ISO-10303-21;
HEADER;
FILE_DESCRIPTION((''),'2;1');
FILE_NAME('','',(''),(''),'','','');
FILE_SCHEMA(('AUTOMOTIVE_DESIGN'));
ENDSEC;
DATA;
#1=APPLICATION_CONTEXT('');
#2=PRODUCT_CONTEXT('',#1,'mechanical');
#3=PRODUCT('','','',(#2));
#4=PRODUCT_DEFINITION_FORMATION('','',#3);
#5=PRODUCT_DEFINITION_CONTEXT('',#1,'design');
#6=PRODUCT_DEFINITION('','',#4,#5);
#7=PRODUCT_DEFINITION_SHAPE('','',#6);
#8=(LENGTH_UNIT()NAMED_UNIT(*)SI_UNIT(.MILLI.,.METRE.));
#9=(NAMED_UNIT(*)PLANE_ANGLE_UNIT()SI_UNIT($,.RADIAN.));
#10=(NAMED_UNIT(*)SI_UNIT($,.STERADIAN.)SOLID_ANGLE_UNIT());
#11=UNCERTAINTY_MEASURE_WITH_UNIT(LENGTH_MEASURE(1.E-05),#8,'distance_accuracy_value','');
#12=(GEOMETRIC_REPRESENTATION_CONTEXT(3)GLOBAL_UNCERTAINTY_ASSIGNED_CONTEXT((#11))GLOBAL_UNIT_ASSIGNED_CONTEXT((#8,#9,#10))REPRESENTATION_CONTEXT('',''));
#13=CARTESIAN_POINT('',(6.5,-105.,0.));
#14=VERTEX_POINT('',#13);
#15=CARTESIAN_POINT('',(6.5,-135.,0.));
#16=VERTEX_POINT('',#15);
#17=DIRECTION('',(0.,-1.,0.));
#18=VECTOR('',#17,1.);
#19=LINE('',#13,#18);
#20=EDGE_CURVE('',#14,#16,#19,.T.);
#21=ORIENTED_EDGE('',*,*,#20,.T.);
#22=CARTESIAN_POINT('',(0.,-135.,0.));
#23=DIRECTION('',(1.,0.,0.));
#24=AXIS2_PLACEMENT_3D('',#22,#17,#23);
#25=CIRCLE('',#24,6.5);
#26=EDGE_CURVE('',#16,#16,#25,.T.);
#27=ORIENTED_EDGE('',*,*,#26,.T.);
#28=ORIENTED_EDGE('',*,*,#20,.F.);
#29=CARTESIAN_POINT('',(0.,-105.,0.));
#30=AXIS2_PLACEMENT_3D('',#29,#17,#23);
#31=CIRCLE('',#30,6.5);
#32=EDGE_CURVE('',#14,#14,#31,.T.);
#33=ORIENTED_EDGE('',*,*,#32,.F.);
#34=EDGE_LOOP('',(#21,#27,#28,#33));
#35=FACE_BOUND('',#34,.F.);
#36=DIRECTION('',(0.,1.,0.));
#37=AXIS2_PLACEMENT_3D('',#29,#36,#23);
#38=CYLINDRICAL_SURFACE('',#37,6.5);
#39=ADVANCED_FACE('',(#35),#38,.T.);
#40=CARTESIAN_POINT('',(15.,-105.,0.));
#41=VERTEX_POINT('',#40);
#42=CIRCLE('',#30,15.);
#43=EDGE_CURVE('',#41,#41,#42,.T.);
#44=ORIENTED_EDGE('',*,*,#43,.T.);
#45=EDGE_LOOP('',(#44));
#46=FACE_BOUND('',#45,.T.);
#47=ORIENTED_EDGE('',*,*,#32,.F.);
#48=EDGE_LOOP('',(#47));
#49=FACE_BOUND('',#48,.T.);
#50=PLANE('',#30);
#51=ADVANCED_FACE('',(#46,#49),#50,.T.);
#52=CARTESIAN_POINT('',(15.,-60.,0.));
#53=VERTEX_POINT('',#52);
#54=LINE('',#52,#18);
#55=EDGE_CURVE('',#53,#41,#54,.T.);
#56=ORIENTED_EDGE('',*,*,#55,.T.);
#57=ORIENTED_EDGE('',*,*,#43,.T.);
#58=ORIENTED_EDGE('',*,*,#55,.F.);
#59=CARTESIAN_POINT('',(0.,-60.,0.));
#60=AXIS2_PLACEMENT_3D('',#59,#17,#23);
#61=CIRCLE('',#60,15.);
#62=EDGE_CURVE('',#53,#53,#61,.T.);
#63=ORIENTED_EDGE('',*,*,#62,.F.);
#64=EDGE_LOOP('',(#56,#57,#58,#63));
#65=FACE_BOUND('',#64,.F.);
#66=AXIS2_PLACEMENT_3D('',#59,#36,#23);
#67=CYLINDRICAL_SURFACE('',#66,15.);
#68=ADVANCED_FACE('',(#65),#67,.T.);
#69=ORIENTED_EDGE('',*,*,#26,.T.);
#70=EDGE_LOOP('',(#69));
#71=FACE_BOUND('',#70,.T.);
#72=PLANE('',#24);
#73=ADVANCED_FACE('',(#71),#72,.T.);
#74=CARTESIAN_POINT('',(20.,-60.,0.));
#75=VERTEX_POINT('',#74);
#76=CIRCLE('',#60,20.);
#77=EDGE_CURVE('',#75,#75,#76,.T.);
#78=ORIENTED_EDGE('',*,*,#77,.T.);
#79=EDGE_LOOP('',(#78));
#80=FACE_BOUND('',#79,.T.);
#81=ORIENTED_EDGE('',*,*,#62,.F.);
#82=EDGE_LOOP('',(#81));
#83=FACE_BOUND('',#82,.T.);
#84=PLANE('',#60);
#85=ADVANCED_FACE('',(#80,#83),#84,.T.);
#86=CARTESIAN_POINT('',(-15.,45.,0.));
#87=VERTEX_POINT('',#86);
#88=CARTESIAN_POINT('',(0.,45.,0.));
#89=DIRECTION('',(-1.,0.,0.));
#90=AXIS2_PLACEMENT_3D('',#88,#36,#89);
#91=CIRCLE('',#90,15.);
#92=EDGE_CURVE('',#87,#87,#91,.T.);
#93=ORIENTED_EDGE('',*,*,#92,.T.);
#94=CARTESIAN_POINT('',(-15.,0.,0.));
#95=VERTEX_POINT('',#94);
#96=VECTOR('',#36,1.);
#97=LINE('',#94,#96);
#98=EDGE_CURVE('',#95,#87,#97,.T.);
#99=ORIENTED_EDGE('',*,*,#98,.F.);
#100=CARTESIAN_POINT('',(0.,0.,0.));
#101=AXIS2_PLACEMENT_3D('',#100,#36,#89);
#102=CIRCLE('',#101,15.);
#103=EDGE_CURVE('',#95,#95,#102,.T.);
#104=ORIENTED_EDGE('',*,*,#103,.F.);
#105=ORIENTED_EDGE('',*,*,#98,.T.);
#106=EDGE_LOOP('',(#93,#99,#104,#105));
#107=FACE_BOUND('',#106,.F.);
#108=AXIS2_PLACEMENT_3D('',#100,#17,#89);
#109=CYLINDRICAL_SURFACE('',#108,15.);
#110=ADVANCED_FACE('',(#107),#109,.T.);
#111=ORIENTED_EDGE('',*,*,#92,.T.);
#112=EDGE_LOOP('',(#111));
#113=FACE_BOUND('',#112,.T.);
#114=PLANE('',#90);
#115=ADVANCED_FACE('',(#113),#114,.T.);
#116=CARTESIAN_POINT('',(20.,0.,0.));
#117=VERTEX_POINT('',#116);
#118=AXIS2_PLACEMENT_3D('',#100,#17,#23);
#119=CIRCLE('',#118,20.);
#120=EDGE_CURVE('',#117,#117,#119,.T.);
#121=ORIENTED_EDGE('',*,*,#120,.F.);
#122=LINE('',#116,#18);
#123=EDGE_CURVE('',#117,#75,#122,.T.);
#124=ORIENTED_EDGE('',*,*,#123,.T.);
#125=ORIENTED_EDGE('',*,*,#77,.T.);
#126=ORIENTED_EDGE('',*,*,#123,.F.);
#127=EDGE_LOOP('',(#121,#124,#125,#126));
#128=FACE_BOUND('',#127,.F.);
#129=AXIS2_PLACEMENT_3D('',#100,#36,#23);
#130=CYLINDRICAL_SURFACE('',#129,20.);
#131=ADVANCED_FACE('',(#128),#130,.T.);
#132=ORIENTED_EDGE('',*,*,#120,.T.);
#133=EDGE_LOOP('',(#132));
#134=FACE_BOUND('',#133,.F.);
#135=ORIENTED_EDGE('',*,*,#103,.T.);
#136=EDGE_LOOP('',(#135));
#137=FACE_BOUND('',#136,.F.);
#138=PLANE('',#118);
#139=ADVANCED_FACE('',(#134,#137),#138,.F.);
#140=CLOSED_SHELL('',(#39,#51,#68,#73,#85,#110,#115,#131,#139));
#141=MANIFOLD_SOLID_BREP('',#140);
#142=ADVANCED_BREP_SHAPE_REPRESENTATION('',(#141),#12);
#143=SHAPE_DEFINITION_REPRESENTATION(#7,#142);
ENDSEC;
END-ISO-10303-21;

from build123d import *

# Parameters (mm, degrees)
F0_R     = 20
F1_DEPTH = 60
F3_R     = 15
F4_DEPTH = 45
F2_R     = 15
F5_DEPTH = 45
F6_R     = 6.5
F7_DEPTH = 30


with BuildPart() as f1:
    # F0 (on Front) → F1 (new body)
    with BuildSketch(Plane.XZ):
        Circle(F0_R)
    extrude(amount=F1_DEPTH)

    # F3 (on face) → F4 (join)
    with BuildSketch(Plane(origin=(0, 0, 0), x_dir=(-1, 0, 0), z_dir=(0, 1, 0))):
        Circle(F3_R)
    extrude(amount=F4_DEPTH)

    # F2 (on face) → F5 (join)
    with BuildSketch(Plane.XZ.offset(60)):
        Circle(F2_R)
    extrude(amount=F5_DEPTH)

    # F6 (on face) → F7 (join)
    with BuildSketch(Plane.XZ.offset(105)):
        Circle(F6_R)
    extrude(amount=F7_DEPTH)


solid = f1.part
